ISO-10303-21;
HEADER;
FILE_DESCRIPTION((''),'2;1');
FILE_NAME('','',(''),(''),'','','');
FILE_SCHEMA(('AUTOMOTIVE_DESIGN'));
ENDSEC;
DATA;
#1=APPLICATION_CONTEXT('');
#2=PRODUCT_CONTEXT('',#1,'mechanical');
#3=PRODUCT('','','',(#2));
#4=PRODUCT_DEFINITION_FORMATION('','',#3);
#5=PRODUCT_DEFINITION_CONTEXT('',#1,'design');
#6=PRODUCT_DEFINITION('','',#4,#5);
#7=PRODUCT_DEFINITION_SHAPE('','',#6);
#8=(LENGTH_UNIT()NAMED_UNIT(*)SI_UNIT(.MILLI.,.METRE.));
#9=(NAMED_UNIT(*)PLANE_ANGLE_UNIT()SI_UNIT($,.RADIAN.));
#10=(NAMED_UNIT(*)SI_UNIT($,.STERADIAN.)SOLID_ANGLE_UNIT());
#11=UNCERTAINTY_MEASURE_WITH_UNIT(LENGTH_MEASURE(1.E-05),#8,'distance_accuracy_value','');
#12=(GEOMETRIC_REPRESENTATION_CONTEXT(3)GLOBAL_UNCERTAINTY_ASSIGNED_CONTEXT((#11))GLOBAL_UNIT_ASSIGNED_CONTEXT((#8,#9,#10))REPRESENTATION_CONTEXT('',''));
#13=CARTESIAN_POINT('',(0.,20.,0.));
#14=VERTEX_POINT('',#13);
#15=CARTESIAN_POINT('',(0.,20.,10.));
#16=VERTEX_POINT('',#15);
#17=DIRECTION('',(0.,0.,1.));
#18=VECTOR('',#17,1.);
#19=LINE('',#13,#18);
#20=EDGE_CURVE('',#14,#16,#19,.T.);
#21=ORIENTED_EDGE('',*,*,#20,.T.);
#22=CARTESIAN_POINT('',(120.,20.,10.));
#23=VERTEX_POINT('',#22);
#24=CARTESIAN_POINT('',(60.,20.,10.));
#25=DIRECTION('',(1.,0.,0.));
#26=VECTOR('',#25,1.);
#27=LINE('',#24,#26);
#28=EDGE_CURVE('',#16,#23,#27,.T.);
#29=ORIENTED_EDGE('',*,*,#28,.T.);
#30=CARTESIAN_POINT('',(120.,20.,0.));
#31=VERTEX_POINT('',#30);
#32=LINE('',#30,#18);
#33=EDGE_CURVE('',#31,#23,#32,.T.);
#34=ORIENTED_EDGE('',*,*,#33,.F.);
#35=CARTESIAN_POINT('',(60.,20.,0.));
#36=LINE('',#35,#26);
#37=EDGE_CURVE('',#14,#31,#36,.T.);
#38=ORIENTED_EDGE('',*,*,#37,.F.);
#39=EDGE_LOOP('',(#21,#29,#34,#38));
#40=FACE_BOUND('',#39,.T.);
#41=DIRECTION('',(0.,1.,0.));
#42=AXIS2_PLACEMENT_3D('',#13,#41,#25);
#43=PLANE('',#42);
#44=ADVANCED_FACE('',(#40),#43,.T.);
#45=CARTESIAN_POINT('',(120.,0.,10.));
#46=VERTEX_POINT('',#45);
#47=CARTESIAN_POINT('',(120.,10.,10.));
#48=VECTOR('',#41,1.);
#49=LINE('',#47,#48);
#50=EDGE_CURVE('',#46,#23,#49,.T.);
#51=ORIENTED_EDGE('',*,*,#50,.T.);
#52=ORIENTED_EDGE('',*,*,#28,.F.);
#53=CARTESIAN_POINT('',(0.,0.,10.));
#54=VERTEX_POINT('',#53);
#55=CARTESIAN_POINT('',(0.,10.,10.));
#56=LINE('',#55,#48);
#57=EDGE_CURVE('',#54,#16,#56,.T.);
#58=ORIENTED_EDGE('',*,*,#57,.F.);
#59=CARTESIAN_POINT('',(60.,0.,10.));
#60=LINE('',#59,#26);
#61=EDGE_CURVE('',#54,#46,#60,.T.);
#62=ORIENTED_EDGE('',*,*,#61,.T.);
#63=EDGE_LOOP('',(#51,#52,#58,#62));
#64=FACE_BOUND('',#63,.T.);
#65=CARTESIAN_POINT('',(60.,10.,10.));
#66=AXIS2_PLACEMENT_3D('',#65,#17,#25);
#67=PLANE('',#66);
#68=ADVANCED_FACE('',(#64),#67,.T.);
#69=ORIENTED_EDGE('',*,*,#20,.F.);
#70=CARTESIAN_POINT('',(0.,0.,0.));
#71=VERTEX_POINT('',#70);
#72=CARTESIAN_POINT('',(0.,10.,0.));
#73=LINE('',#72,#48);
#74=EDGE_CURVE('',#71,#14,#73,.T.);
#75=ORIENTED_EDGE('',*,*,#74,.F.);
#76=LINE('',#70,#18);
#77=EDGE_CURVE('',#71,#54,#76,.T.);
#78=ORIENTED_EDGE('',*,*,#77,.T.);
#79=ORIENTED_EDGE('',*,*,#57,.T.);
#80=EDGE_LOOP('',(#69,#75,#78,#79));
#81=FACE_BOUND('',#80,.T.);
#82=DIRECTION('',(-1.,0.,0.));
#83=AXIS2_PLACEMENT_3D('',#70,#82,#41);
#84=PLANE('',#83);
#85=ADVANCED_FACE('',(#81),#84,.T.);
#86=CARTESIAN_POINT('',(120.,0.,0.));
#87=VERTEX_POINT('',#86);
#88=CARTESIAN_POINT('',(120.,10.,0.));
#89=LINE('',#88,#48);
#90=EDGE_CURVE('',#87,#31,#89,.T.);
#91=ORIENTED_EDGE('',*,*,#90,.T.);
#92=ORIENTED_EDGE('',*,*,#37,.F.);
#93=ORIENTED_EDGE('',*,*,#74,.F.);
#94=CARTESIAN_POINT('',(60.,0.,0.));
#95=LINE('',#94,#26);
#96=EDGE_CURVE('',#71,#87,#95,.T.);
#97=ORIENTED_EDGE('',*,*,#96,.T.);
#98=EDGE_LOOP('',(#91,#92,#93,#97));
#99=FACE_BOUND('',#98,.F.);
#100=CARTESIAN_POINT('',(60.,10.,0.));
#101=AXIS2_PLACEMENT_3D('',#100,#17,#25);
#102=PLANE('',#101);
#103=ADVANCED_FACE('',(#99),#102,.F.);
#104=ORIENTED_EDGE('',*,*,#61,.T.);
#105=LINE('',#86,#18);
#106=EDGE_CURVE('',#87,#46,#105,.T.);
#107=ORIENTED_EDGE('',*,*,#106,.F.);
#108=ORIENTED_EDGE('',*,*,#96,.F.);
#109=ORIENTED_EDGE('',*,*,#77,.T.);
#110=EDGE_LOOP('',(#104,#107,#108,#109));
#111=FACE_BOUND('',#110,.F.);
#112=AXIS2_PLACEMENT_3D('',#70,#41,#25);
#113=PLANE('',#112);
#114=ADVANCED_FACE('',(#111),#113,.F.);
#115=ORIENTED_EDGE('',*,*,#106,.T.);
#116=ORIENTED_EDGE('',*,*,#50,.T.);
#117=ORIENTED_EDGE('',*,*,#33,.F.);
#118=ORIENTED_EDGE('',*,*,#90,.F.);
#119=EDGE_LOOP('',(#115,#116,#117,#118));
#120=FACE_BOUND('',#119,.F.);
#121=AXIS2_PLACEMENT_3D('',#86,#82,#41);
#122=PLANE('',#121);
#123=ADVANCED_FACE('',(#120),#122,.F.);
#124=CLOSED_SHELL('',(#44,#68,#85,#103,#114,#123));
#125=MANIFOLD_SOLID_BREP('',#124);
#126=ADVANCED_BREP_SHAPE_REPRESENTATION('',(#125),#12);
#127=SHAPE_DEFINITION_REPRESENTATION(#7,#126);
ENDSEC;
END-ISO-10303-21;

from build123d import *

# Parameters (mm, degrees)
BEAM_W     = 120
BEAM_H     = 20
BEAM_DEPTH = 10


with BuildPart() as part:
    # Beam → Beam (new body)
    with BuildSketch(Plane.XY):
        with Locations((60, 10)):
            Rectangle(BEAM_W, BEAM_H)
    extrude(amount=BEAM_DEPTH)


solid = part.part
